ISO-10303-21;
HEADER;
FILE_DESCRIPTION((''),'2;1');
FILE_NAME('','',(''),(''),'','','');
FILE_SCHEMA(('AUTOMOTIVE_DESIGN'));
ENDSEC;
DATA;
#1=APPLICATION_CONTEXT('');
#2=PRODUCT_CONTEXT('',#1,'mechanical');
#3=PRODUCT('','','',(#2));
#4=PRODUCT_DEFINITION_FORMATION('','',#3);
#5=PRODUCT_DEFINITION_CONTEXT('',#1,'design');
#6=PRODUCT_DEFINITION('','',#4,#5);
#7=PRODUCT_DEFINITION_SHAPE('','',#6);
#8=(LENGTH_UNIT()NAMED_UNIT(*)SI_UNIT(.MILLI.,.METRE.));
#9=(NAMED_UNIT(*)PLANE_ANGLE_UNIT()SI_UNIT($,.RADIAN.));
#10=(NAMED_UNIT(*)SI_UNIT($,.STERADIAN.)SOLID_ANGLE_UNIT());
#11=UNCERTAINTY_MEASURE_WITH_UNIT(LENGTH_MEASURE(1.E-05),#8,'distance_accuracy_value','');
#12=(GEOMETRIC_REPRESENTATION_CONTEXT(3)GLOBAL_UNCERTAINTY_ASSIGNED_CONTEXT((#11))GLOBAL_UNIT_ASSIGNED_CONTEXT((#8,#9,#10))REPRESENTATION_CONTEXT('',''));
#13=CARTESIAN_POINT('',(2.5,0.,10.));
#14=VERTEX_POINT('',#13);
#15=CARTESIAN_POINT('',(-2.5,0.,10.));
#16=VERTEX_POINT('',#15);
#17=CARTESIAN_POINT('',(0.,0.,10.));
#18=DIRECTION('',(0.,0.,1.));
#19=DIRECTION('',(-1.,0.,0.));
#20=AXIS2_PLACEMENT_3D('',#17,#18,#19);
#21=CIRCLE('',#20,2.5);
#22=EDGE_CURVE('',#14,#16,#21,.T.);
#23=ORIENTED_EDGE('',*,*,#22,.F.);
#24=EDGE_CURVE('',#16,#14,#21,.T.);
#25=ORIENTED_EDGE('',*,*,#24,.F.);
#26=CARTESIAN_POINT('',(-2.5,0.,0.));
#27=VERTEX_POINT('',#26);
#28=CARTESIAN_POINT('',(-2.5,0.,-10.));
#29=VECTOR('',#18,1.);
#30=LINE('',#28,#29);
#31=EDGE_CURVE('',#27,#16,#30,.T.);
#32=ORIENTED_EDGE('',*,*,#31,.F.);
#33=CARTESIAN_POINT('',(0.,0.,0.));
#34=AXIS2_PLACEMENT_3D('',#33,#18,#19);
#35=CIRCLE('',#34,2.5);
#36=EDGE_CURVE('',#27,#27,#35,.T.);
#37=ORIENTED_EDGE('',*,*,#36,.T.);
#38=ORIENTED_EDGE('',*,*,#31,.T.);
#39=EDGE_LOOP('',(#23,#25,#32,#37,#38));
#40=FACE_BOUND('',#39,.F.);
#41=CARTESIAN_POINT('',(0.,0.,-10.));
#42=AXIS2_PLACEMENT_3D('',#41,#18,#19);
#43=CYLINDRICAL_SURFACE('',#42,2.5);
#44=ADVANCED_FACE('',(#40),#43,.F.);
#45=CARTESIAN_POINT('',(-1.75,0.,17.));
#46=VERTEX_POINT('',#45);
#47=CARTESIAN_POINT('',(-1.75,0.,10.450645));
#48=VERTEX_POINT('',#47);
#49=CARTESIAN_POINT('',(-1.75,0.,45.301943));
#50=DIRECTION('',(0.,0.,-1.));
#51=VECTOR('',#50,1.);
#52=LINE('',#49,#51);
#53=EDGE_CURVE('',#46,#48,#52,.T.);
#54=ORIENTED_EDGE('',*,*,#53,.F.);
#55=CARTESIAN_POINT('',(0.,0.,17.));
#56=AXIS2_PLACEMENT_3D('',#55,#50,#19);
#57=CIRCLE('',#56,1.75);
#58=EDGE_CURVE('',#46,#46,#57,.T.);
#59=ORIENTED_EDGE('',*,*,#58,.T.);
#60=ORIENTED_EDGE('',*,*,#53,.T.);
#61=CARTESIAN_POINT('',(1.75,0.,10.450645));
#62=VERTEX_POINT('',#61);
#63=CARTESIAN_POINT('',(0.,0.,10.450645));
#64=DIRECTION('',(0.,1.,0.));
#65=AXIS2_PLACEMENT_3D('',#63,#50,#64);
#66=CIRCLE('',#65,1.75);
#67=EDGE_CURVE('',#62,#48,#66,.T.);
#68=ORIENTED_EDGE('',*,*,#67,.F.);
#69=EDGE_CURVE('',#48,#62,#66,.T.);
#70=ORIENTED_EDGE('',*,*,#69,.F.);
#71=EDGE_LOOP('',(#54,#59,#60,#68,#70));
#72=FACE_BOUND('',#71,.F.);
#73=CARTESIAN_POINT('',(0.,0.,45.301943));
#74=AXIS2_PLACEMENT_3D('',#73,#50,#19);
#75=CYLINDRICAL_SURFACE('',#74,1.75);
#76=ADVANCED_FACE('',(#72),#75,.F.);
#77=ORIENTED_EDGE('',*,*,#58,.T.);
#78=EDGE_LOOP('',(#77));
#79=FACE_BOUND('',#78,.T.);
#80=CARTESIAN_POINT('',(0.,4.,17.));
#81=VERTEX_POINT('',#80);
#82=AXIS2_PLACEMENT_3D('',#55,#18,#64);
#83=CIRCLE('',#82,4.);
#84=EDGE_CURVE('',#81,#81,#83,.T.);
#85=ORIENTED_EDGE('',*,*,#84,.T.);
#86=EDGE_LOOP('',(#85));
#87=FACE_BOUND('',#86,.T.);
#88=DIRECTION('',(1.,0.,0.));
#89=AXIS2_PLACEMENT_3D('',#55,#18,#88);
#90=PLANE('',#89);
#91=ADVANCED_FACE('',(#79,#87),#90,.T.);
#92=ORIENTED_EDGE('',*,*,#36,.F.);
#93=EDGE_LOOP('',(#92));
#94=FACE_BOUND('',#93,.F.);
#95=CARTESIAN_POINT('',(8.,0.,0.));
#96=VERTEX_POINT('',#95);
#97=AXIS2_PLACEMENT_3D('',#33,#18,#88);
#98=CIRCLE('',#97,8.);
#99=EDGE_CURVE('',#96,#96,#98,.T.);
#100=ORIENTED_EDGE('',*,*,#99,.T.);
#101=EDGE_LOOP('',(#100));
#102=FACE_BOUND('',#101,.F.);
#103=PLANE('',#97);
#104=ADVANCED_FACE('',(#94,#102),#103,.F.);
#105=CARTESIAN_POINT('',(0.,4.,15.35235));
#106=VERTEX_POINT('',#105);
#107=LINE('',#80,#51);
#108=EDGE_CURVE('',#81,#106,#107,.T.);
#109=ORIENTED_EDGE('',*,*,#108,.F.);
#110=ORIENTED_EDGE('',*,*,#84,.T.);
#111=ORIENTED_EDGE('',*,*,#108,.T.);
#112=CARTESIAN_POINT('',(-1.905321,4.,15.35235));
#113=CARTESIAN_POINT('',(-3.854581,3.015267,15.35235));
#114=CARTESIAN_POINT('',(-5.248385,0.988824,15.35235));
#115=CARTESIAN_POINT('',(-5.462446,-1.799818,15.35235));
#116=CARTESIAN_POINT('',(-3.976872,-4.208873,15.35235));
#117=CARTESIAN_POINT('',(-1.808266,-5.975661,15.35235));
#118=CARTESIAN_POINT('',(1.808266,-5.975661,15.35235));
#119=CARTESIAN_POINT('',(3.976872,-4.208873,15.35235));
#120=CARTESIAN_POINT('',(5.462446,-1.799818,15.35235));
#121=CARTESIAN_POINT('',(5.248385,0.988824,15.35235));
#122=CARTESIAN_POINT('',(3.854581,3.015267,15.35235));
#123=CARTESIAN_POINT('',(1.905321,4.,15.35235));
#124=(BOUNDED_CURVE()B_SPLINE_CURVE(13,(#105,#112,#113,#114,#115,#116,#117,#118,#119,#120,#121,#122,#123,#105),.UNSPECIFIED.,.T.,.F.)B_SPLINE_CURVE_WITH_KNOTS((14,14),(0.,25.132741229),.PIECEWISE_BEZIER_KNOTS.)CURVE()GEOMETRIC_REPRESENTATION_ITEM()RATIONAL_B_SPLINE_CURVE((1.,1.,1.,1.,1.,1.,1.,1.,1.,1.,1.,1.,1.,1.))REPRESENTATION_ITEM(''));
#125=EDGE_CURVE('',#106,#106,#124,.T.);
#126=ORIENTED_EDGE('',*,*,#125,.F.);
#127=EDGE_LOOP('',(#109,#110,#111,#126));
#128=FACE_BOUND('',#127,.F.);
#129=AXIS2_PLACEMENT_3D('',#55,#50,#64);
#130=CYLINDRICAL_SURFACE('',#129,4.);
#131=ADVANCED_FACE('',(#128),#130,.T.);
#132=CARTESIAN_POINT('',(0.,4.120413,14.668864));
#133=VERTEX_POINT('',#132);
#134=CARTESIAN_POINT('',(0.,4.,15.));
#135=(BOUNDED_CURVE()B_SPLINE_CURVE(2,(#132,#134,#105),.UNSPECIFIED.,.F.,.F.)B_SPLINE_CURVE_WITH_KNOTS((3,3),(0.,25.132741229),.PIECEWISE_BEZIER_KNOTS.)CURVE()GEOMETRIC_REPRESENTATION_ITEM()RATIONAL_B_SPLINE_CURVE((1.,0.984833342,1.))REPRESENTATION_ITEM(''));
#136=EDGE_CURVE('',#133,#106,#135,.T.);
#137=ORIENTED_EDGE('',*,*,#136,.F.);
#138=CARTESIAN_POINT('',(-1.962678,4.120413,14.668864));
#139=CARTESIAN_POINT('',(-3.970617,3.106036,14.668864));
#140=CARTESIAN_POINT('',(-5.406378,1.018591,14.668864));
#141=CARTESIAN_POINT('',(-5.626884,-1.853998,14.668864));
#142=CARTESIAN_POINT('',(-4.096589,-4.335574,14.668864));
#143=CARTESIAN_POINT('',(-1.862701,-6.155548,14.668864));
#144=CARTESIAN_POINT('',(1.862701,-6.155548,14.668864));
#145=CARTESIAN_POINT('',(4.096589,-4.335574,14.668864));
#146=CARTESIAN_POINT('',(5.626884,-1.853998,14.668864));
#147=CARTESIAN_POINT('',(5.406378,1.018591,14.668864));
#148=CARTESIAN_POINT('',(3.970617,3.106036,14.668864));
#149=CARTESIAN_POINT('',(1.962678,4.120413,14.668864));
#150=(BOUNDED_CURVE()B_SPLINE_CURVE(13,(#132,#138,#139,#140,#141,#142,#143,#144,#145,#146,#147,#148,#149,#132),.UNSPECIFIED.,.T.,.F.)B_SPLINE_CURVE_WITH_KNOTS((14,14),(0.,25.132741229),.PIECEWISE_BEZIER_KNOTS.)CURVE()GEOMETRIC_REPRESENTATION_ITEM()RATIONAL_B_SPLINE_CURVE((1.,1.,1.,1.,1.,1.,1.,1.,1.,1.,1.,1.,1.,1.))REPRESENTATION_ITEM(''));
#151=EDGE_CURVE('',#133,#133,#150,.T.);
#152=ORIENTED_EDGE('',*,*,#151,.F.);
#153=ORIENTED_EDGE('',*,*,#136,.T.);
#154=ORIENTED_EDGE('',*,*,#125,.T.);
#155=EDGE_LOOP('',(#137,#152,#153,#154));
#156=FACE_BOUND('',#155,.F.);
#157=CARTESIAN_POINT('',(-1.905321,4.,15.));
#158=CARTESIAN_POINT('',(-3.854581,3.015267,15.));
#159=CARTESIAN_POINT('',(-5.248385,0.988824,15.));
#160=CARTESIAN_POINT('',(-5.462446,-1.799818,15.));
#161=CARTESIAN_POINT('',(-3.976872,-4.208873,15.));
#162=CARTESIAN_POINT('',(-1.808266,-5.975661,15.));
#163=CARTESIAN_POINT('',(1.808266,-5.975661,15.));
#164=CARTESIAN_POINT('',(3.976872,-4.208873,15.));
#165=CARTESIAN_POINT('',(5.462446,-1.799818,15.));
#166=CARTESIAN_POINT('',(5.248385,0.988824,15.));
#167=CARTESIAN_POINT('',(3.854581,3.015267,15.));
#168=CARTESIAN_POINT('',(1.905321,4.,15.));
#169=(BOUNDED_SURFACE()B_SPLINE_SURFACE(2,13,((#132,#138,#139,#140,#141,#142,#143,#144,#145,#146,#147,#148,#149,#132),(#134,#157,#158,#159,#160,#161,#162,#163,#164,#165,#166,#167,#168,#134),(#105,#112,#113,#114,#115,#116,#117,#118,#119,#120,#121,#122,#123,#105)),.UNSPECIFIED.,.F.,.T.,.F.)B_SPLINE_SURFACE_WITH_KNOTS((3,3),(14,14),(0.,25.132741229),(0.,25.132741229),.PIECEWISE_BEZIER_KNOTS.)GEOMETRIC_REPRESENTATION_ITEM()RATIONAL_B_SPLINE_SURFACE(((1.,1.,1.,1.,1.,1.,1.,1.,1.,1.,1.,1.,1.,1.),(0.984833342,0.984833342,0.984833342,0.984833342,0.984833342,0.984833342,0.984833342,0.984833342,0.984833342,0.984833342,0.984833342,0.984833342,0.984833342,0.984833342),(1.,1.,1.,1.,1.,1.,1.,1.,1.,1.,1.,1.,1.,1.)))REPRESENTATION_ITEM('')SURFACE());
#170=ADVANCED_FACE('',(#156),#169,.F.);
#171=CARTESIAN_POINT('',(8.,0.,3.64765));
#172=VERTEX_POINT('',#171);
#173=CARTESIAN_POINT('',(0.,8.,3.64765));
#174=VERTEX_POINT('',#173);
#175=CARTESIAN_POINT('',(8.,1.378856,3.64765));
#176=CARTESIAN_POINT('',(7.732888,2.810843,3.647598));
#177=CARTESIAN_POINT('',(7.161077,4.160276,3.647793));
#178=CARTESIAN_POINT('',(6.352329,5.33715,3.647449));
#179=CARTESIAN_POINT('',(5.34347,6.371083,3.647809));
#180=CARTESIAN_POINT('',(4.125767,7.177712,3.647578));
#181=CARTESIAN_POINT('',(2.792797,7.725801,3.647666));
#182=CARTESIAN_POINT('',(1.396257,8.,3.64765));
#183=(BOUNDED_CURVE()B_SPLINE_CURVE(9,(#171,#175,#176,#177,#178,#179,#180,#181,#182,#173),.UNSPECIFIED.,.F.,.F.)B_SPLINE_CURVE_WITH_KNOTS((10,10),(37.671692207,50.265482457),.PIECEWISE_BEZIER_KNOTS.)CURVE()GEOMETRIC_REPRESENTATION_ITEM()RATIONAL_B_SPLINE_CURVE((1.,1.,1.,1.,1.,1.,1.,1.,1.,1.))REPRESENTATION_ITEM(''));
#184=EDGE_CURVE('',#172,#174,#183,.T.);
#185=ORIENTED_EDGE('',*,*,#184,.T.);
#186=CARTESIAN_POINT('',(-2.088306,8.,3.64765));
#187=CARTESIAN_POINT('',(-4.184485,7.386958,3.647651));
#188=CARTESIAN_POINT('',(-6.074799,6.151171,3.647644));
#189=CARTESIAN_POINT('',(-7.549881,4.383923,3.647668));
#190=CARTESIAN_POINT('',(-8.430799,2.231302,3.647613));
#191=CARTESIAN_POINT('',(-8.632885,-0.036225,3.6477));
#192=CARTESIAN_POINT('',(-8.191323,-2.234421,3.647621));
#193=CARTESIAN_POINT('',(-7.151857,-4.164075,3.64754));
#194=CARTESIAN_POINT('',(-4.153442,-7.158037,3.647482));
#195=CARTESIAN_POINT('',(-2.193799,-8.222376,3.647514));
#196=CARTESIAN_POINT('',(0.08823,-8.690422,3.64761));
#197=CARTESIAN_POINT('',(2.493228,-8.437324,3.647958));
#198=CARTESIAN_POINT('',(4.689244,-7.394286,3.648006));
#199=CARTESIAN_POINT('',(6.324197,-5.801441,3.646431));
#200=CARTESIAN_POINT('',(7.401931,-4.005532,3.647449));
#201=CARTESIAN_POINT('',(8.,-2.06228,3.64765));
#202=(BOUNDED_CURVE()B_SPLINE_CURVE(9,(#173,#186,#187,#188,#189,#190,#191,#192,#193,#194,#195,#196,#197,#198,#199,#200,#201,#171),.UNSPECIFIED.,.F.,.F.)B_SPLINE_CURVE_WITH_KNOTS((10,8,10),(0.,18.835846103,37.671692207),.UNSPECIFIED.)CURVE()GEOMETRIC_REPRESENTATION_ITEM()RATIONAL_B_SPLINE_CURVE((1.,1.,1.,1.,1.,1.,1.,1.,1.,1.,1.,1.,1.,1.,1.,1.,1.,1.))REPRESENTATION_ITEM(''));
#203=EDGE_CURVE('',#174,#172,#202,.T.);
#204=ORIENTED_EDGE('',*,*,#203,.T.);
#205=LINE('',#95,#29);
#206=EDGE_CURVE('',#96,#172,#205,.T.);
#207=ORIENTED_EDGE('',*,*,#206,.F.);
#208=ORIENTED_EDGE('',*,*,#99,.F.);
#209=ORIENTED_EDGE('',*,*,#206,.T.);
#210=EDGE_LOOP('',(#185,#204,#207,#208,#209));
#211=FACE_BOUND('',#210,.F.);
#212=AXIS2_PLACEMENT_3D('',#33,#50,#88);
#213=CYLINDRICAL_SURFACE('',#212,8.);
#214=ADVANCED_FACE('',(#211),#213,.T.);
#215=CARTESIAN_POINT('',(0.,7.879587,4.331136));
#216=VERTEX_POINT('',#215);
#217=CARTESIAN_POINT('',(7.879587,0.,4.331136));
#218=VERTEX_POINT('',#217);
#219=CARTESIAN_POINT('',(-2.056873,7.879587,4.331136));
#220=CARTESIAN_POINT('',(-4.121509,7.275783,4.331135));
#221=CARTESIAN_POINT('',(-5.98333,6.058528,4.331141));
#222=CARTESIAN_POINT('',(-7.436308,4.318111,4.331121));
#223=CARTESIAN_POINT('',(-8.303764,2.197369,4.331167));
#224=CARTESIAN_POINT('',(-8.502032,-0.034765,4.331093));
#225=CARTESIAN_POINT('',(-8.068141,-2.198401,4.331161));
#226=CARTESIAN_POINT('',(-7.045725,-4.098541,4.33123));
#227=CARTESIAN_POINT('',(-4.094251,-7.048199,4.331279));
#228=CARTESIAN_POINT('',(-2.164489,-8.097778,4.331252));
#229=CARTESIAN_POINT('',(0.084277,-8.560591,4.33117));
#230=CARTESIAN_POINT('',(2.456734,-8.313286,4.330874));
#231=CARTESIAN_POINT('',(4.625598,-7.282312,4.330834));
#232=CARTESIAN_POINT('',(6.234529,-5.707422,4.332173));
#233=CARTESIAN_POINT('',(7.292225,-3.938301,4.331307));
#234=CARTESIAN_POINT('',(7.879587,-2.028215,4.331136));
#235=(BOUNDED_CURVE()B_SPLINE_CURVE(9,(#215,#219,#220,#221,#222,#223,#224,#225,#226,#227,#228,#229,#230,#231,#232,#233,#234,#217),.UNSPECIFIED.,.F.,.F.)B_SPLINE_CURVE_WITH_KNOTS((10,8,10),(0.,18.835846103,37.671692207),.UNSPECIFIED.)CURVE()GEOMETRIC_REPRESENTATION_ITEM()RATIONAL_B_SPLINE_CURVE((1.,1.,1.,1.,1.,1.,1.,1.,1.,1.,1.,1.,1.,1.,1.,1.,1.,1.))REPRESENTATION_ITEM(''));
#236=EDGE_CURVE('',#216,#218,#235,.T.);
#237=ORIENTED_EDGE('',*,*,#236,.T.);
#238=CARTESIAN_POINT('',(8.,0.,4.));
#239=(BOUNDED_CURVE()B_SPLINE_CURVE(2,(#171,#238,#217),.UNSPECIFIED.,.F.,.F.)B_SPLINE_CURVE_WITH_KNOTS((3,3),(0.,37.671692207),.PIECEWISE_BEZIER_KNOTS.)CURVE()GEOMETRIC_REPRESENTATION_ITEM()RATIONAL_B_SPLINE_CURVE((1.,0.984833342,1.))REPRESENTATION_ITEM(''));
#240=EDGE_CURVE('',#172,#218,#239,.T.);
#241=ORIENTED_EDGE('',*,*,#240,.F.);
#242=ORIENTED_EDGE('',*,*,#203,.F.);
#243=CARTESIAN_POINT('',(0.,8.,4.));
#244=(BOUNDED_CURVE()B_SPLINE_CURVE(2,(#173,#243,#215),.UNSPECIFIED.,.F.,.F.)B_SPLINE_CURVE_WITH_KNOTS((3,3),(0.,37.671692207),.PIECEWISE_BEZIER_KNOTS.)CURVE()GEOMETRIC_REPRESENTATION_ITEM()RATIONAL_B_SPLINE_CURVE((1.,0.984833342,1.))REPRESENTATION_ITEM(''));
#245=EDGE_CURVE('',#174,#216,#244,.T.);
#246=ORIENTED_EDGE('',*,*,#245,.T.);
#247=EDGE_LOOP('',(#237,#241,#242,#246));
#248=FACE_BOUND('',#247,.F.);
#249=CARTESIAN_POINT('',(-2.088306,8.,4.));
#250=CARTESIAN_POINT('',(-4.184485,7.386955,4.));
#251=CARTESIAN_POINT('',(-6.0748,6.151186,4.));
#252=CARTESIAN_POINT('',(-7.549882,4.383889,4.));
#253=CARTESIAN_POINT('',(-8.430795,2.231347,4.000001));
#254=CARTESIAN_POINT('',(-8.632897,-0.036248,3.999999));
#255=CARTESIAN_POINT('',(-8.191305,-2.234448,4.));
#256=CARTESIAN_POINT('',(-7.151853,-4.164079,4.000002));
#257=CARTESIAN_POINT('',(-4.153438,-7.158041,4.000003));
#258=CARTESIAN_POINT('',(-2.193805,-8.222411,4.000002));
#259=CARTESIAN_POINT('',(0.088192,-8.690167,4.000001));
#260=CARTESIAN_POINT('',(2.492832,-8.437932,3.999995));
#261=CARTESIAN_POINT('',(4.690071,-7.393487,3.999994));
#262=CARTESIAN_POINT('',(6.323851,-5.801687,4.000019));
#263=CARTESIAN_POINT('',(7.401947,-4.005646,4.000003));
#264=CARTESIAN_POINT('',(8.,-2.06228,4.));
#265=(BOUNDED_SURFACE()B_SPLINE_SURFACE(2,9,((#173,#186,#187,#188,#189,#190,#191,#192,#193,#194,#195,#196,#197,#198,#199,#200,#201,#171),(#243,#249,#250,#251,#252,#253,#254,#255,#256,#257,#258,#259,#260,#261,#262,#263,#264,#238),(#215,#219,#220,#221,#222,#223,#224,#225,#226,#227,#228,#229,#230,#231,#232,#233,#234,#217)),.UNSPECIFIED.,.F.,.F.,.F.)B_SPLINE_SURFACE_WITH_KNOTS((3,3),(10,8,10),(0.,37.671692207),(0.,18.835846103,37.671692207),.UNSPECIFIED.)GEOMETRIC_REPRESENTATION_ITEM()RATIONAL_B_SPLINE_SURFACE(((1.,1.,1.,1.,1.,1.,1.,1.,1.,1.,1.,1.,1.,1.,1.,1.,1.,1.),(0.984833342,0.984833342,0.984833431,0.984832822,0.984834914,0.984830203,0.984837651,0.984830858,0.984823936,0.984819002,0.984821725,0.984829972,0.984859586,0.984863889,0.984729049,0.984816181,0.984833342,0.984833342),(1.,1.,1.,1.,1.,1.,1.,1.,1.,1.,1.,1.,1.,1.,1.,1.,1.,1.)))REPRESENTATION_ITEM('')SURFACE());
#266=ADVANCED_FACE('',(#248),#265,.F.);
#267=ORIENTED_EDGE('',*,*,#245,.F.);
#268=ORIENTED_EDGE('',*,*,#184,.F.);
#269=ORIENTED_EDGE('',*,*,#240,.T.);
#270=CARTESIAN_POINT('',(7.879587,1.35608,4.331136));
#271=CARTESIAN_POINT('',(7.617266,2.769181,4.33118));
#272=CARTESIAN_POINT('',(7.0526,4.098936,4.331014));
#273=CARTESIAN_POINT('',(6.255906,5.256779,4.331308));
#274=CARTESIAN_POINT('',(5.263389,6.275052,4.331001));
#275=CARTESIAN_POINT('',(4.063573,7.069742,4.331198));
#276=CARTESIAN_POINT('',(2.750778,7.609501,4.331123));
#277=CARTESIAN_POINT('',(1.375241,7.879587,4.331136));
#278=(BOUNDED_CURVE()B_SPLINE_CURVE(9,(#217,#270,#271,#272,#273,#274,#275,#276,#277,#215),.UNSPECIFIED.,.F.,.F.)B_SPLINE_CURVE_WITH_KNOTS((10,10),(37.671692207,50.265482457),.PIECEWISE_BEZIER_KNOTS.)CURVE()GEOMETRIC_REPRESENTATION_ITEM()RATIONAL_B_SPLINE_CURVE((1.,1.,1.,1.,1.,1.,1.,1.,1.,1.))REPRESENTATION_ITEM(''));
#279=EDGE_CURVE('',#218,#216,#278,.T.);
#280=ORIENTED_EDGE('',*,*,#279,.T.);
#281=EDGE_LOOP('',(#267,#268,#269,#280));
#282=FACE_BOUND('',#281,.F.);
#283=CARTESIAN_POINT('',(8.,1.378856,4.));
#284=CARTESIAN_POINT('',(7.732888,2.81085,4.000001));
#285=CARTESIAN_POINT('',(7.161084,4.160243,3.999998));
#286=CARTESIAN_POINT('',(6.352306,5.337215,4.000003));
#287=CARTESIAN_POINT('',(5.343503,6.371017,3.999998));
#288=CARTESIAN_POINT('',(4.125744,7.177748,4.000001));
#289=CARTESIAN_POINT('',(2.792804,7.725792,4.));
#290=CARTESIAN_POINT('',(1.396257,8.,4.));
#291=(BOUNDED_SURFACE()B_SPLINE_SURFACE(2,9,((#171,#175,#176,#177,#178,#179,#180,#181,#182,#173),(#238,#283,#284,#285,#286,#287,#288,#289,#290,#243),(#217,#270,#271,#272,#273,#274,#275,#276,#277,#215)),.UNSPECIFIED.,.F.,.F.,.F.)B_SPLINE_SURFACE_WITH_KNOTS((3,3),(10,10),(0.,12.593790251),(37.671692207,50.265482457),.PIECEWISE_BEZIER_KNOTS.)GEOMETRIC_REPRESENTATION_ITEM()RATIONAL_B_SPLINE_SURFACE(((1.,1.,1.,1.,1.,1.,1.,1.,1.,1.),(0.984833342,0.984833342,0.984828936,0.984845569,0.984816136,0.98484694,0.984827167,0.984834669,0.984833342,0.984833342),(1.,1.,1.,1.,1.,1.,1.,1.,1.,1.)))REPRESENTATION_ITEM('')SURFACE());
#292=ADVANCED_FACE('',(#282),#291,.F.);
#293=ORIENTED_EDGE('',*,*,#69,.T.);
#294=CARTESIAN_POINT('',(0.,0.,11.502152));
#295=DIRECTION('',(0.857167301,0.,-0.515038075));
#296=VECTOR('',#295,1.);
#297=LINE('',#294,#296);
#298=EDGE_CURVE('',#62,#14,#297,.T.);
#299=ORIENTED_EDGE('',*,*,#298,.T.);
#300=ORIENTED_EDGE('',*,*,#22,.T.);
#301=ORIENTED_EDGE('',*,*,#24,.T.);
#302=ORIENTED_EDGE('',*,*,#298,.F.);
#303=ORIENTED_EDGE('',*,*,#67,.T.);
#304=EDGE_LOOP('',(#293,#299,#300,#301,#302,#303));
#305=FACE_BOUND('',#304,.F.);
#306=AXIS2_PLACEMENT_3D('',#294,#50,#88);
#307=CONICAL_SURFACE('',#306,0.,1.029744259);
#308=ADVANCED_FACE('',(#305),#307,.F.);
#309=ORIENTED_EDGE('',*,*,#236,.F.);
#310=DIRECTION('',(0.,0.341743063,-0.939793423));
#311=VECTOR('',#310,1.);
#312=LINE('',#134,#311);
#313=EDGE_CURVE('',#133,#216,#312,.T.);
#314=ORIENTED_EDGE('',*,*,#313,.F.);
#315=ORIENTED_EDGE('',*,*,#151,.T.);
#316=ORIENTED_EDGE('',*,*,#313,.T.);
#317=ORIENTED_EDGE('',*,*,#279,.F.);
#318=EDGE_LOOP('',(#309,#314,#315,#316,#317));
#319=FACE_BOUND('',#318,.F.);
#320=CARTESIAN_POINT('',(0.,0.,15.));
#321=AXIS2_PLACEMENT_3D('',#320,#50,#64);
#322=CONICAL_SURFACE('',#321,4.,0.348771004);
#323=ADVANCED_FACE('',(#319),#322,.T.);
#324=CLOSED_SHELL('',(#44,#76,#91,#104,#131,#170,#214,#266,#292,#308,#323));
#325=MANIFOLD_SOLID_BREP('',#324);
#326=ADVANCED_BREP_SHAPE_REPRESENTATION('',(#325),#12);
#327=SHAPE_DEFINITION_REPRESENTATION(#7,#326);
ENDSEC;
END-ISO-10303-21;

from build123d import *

# Parameters (mm, degrees)
F0_R     = 8
F1_DEPTH = 17
F5_D     = 3.5
F7_D     = 5
F7_DEPTH = 10
F7_TIP   = 1.5021515476
F8_R     = 2


with BuildPart() as f1:
    # F0 (on Top) → F1 (new body)
    with BuildSketch(Plane.XY):
        Circle(F0_R)
    extrude(amount=F1_DEPTH)

    # F2 (on Right) → F3 (revolve, cut)
    with BuildSketch(Plane.YZ):
        Polygon((4, 15), (8, 4), (8, 17), (4, 17), align=None)
    revolve(axis=Axis((0, 0, 9.1980583966), (0, 0, 1)), mode=Mode.SUBTRACT)

    # F5 (through all)
    with Locations(Plane.XY.offset(17)):
        with Locations((0, 0)):
            Hole(F5_D / 2)

    # F7
    with Locations(Plane(origin=(0, 0, 0), x_dir=(1, 0, 0), z_dir=(0, 0, -1))):
        with Locations((0, 0)):
            Hole(F7_D / 2, depth=F7_DEPTH)
            with Locations((0, 0, -(F7_DEPTH + F7_TIP / 2))):  # 118° drill point
                Cone(0, F7_D / 2, F7_TIP, mode=Mode.SUBTRACT)

    # F8
    f8_edges = [f1.edges().sort_by_distance(p)[0] for p in [
        (0, 6, 9.5),
        (-5.656854, -5.656854, 4),
        (5.656854, 5.656854, 4),
        (0, -4, 15),
    ]]
    fillet(f8_edges, radius=F8_R)


solid = f1.part
